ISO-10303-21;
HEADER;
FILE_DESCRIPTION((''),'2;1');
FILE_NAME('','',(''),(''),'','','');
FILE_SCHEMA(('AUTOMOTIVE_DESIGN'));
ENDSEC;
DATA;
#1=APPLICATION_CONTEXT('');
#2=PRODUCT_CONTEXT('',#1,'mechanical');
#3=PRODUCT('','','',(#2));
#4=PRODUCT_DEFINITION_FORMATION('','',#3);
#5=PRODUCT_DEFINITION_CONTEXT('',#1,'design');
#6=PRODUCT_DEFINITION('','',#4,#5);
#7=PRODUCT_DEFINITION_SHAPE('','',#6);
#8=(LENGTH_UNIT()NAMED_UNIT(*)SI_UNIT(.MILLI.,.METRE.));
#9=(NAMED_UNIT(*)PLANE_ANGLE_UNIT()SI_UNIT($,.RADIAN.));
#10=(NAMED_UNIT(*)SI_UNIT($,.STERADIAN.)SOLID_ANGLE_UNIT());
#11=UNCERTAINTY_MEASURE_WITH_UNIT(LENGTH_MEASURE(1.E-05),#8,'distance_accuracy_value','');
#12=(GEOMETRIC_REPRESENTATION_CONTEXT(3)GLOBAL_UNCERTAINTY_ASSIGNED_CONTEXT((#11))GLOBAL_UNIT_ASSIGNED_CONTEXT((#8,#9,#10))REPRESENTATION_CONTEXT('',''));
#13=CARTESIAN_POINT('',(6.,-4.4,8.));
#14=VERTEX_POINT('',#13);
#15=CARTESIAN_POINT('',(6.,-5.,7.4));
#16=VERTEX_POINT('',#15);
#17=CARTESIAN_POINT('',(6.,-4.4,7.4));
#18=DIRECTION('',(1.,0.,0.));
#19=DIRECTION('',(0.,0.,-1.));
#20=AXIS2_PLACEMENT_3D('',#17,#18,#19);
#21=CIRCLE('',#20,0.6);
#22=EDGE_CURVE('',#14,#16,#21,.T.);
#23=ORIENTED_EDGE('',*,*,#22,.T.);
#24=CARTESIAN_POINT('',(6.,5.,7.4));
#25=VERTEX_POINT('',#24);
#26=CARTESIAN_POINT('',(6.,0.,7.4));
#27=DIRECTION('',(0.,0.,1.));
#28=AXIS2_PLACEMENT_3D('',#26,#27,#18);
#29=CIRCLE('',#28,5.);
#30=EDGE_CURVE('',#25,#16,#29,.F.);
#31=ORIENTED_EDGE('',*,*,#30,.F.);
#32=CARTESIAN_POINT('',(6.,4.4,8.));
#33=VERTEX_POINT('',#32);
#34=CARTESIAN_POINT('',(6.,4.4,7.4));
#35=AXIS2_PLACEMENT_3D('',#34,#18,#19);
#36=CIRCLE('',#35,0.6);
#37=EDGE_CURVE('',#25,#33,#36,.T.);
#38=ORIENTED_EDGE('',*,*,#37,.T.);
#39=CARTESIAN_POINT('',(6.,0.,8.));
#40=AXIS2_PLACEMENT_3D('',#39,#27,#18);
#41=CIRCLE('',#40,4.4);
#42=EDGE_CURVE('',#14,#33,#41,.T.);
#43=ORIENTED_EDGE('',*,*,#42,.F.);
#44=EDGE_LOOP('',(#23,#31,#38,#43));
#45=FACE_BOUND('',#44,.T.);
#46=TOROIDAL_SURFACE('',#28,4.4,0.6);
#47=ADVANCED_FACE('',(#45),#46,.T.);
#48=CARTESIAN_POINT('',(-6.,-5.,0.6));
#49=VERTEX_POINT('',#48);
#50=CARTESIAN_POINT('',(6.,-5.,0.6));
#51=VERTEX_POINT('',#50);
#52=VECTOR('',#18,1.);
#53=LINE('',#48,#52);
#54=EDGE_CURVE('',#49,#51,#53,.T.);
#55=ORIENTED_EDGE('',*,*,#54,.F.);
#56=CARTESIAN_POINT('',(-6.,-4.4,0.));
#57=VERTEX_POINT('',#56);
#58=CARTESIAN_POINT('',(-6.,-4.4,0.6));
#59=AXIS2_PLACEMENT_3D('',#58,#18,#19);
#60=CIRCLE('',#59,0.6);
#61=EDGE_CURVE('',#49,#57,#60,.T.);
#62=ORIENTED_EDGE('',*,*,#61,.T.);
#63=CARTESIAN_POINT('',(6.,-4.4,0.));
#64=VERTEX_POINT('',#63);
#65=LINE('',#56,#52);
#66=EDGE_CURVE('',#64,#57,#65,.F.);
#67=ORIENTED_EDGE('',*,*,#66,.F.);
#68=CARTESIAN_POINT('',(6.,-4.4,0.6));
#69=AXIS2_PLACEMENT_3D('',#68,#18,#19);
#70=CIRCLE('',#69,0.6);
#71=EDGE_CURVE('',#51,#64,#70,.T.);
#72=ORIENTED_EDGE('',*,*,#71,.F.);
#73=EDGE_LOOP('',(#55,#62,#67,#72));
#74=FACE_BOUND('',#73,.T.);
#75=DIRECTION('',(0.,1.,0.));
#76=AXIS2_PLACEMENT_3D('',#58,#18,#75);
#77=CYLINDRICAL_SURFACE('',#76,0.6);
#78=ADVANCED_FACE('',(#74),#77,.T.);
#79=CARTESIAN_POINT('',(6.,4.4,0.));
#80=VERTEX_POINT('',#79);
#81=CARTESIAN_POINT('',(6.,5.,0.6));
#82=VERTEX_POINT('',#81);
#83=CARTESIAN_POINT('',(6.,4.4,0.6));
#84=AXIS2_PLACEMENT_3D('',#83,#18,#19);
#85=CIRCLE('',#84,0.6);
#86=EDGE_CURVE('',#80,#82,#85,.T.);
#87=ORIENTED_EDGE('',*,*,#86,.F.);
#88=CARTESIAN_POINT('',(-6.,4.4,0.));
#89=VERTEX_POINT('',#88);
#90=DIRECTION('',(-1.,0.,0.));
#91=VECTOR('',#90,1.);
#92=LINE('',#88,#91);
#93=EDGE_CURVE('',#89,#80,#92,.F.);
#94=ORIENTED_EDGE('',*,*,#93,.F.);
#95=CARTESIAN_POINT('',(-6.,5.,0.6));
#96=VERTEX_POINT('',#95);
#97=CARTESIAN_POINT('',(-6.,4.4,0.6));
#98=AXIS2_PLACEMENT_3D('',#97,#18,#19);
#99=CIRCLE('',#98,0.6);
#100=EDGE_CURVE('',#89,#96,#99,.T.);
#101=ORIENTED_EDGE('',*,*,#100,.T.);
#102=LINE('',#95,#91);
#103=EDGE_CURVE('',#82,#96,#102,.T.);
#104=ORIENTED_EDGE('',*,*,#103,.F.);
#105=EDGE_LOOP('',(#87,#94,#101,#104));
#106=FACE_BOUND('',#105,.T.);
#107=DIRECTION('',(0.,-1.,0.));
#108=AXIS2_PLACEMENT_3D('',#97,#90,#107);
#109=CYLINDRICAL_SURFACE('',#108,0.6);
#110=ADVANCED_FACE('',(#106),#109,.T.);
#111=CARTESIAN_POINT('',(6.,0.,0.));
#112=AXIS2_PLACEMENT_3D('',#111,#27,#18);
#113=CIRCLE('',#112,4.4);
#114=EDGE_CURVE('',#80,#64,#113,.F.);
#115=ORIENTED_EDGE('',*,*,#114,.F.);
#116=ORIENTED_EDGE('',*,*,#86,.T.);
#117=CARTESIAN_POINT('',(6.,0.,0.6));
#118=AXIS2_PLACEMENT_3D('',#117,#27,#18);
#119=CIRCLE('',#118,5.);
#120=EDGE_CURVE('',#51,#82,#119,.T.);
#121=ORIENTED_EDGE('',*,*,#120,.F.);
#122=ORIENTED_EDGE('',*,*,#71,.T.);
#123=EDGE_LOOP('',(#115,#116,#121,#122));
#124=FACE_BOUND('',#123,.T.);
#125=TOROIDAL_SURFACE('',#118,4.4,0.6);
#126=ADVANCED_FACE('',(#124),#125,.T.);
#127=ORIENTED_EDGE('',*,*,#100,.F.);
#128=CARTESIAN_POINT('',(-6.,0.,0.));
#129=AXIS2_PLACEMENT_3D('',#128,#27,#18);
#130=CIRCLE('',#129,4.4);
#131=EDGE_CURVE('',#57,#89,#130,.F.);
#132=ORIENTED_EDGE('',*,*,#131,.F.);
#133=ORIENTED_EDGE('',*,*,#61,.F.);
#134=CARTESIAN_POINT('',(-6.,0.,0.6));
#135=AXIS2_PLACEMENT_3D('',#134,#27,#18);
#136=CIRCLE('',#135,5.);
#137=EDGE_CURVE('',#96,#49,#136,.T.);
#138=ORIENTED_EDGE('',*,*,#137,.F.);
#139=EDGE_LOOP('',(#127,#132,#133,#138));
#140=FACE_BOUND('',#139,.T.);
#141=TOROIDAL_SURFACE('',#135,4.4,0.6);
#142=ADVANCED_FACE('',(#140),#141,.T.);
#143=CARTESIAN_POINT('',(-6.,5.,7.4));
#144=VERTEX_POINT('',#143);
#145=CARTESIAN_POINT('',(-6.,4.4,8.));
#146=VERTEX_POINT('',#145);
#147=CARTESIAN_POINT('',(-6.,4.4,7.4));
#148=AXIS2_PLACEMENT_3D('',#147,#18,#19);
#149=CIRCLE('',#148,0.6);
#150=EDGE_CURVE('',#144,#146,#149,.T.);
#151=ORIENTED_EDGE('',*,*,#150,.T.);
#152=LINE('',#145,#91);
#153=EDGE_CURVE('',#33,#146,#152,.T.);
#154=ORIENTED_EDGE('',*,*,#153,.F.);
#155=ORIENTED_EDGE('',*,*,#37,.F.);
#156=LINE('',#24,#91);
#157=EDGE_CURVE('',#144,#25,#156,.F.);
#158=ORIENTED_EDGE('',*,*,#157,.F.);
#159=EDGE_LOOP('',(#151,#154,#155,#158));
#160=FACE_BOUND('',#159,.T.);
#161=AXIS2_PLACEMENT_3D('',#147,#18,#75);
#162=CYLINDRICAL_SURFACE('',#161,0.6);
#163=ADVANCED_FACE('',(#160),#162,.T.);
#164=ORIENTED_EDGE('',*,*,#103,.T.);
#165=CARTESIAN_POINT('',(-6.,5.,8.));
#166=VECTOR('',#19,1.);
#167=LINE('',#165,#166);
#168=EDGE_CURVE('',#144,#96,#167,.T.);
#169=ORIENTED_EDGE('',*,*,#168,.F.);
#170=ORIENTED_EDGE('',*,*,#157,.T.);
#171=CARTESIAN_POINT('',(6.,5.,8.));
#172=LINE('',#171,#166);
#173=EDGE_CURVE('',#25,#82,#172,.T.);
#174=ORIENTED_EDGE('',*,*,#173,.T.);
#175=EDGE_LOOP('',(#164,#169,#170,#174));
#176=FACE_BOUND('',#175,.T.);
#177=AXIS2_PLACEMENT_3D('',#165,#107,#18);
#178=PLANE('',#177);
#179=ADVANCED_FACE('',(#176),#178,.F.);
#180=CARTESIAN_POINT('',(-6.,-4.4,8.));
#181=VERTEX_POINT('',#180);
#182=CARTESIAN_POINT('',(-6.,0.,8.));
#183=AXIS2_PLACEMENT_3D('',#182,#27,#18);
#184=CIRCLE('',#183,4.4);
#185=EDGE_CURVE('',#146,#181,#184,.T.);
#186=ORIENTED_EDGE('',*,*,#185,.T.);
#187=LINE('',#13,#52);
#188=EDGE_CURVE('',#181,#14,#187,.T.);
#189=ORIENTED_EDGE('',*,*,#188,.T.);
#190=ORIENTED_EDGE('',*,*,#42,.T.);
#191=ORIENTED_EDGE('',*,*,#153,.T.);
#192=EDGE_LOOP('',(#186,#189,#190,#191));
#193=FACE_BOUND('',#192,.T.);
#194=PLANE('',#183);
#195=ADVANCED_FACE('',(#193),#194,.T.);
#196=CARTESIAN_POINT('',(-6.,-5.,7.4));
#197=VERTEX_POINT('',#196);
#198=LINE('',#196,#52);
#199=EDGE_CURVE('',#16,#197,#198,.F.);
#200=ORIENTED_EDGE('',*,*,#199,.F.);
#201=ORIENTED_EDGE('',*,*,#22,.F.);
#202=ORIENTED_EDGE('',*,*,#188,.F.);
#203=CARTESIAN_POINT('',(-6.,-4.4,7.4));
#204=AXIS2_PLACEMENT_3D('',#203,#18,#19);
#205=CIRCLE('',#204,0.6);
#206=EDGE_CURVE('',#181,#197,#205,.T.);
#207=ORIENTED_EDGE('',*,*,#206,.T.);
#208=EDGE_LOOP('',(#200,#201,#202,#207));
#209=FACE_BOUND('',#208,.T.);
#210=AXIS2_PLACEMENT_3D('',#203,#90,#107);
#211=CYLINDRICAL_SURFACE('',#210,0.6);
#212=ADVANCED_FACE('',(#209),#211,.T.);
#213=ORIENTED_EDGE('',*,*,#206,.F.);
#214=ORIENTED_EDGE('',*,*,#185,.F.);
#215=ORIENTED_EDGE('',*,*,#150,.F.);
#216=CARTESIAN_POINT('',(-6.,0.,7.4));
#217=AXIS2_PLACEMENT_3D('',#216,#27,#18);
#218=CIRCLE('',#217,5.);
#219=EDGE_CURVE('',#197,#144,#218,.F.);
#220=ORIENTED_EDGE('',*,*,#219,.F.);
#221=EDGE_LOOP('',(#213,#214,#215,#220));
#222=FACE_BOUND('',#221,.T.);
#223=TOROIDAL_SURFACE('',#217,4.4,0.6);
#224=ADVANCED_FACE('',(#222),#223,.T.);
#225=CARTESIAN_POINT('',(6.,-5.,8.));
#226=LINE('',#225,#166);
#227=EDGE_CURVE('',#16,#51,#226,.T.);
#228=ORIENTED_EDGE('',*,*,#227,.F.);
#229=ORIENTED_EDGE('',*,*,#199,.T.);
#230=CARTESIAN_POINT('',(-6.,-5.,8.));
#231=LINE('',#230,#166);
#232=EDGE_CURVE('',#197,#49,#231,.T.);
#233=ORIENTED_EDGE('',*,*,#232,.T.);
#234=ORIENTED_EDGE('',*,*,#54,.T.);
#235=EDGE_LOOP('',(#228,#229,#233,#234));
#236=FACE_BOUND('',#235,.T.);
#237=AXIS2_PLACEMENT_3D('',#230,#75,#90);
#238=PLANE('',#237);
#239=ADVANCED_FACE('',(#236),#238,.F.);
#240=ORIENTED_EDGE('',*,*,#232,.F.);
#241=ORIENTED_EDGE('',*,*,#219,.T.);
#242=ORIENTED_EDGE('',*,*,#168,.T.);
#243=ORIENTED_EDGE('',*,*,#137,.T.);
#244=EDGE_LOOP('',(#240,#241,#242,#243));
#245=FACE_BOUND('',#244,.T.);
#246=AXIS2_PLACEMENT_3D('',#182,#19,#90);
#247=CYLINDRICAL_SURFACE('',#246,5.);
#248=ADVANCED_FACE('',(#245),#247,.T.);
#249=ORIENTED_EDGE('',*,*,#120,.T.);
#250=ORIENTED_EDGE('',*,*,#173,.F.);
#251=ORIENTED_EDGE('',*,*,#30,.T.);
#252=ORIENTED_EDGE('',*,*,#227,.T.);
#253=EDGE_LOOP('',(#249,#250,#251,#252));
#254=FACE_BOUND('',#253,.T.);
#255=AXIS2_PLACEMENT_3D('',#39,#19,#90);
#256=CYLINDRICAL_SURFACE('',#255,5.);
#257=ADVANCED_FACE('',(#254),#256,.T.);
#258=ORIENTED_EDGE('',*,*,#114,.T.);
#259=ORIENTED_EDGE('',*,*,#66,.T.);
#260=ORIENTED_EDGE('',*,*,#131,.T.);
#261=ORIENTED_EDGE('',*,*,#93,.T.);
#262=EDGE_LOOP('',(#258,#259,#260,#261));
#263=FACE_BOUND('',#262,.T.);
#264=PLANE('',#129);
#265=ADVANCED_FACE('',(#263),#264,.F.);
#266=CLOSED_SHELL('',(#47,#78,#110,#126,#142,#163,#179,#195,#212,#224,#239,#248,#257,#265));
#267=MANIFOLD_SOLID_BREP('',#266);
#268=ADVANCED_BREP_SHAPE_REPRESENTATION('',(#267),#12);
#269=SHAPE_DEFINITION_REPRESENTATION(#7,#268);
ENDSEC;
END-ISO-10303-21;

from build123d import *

# Parameters (mm, degrees)
EXTRUDE_527_DEPTH = 8
FILLET_1_R        = 0.6


with BuildPart() as part:
    # 草图1 → Extrude 527 (new body)
    with BuildSketch(Plane.XY):
        with BuildLine():
            Line((-6, 5), (6, 5))
            ThreePointArc((6, 5), (11, 0), (6, -5))
            Line((6, -5), (-6, -5))
            ThreePointArc((-6, -5), (-11, 0), (-6, 5))
        make_face()
    extrude(amount=EXTRUDE_527_DEPTH)

    # 圆角1
    fillet_1_edges = [part.edges().sort_by_distance(p)[0] for p in [
        (11, 0, 8),
        (0, 5, 8),
        (-11, 0, 8),
        (0, 5, 0),
        (11, 0, 0),
        (0, -5, 0),
        (-11, 0, 0),
        (0, -5, 8),
    ]]
    fillet(fillet_1_edges, radius=FILLET_1_R)


solid = part.part
